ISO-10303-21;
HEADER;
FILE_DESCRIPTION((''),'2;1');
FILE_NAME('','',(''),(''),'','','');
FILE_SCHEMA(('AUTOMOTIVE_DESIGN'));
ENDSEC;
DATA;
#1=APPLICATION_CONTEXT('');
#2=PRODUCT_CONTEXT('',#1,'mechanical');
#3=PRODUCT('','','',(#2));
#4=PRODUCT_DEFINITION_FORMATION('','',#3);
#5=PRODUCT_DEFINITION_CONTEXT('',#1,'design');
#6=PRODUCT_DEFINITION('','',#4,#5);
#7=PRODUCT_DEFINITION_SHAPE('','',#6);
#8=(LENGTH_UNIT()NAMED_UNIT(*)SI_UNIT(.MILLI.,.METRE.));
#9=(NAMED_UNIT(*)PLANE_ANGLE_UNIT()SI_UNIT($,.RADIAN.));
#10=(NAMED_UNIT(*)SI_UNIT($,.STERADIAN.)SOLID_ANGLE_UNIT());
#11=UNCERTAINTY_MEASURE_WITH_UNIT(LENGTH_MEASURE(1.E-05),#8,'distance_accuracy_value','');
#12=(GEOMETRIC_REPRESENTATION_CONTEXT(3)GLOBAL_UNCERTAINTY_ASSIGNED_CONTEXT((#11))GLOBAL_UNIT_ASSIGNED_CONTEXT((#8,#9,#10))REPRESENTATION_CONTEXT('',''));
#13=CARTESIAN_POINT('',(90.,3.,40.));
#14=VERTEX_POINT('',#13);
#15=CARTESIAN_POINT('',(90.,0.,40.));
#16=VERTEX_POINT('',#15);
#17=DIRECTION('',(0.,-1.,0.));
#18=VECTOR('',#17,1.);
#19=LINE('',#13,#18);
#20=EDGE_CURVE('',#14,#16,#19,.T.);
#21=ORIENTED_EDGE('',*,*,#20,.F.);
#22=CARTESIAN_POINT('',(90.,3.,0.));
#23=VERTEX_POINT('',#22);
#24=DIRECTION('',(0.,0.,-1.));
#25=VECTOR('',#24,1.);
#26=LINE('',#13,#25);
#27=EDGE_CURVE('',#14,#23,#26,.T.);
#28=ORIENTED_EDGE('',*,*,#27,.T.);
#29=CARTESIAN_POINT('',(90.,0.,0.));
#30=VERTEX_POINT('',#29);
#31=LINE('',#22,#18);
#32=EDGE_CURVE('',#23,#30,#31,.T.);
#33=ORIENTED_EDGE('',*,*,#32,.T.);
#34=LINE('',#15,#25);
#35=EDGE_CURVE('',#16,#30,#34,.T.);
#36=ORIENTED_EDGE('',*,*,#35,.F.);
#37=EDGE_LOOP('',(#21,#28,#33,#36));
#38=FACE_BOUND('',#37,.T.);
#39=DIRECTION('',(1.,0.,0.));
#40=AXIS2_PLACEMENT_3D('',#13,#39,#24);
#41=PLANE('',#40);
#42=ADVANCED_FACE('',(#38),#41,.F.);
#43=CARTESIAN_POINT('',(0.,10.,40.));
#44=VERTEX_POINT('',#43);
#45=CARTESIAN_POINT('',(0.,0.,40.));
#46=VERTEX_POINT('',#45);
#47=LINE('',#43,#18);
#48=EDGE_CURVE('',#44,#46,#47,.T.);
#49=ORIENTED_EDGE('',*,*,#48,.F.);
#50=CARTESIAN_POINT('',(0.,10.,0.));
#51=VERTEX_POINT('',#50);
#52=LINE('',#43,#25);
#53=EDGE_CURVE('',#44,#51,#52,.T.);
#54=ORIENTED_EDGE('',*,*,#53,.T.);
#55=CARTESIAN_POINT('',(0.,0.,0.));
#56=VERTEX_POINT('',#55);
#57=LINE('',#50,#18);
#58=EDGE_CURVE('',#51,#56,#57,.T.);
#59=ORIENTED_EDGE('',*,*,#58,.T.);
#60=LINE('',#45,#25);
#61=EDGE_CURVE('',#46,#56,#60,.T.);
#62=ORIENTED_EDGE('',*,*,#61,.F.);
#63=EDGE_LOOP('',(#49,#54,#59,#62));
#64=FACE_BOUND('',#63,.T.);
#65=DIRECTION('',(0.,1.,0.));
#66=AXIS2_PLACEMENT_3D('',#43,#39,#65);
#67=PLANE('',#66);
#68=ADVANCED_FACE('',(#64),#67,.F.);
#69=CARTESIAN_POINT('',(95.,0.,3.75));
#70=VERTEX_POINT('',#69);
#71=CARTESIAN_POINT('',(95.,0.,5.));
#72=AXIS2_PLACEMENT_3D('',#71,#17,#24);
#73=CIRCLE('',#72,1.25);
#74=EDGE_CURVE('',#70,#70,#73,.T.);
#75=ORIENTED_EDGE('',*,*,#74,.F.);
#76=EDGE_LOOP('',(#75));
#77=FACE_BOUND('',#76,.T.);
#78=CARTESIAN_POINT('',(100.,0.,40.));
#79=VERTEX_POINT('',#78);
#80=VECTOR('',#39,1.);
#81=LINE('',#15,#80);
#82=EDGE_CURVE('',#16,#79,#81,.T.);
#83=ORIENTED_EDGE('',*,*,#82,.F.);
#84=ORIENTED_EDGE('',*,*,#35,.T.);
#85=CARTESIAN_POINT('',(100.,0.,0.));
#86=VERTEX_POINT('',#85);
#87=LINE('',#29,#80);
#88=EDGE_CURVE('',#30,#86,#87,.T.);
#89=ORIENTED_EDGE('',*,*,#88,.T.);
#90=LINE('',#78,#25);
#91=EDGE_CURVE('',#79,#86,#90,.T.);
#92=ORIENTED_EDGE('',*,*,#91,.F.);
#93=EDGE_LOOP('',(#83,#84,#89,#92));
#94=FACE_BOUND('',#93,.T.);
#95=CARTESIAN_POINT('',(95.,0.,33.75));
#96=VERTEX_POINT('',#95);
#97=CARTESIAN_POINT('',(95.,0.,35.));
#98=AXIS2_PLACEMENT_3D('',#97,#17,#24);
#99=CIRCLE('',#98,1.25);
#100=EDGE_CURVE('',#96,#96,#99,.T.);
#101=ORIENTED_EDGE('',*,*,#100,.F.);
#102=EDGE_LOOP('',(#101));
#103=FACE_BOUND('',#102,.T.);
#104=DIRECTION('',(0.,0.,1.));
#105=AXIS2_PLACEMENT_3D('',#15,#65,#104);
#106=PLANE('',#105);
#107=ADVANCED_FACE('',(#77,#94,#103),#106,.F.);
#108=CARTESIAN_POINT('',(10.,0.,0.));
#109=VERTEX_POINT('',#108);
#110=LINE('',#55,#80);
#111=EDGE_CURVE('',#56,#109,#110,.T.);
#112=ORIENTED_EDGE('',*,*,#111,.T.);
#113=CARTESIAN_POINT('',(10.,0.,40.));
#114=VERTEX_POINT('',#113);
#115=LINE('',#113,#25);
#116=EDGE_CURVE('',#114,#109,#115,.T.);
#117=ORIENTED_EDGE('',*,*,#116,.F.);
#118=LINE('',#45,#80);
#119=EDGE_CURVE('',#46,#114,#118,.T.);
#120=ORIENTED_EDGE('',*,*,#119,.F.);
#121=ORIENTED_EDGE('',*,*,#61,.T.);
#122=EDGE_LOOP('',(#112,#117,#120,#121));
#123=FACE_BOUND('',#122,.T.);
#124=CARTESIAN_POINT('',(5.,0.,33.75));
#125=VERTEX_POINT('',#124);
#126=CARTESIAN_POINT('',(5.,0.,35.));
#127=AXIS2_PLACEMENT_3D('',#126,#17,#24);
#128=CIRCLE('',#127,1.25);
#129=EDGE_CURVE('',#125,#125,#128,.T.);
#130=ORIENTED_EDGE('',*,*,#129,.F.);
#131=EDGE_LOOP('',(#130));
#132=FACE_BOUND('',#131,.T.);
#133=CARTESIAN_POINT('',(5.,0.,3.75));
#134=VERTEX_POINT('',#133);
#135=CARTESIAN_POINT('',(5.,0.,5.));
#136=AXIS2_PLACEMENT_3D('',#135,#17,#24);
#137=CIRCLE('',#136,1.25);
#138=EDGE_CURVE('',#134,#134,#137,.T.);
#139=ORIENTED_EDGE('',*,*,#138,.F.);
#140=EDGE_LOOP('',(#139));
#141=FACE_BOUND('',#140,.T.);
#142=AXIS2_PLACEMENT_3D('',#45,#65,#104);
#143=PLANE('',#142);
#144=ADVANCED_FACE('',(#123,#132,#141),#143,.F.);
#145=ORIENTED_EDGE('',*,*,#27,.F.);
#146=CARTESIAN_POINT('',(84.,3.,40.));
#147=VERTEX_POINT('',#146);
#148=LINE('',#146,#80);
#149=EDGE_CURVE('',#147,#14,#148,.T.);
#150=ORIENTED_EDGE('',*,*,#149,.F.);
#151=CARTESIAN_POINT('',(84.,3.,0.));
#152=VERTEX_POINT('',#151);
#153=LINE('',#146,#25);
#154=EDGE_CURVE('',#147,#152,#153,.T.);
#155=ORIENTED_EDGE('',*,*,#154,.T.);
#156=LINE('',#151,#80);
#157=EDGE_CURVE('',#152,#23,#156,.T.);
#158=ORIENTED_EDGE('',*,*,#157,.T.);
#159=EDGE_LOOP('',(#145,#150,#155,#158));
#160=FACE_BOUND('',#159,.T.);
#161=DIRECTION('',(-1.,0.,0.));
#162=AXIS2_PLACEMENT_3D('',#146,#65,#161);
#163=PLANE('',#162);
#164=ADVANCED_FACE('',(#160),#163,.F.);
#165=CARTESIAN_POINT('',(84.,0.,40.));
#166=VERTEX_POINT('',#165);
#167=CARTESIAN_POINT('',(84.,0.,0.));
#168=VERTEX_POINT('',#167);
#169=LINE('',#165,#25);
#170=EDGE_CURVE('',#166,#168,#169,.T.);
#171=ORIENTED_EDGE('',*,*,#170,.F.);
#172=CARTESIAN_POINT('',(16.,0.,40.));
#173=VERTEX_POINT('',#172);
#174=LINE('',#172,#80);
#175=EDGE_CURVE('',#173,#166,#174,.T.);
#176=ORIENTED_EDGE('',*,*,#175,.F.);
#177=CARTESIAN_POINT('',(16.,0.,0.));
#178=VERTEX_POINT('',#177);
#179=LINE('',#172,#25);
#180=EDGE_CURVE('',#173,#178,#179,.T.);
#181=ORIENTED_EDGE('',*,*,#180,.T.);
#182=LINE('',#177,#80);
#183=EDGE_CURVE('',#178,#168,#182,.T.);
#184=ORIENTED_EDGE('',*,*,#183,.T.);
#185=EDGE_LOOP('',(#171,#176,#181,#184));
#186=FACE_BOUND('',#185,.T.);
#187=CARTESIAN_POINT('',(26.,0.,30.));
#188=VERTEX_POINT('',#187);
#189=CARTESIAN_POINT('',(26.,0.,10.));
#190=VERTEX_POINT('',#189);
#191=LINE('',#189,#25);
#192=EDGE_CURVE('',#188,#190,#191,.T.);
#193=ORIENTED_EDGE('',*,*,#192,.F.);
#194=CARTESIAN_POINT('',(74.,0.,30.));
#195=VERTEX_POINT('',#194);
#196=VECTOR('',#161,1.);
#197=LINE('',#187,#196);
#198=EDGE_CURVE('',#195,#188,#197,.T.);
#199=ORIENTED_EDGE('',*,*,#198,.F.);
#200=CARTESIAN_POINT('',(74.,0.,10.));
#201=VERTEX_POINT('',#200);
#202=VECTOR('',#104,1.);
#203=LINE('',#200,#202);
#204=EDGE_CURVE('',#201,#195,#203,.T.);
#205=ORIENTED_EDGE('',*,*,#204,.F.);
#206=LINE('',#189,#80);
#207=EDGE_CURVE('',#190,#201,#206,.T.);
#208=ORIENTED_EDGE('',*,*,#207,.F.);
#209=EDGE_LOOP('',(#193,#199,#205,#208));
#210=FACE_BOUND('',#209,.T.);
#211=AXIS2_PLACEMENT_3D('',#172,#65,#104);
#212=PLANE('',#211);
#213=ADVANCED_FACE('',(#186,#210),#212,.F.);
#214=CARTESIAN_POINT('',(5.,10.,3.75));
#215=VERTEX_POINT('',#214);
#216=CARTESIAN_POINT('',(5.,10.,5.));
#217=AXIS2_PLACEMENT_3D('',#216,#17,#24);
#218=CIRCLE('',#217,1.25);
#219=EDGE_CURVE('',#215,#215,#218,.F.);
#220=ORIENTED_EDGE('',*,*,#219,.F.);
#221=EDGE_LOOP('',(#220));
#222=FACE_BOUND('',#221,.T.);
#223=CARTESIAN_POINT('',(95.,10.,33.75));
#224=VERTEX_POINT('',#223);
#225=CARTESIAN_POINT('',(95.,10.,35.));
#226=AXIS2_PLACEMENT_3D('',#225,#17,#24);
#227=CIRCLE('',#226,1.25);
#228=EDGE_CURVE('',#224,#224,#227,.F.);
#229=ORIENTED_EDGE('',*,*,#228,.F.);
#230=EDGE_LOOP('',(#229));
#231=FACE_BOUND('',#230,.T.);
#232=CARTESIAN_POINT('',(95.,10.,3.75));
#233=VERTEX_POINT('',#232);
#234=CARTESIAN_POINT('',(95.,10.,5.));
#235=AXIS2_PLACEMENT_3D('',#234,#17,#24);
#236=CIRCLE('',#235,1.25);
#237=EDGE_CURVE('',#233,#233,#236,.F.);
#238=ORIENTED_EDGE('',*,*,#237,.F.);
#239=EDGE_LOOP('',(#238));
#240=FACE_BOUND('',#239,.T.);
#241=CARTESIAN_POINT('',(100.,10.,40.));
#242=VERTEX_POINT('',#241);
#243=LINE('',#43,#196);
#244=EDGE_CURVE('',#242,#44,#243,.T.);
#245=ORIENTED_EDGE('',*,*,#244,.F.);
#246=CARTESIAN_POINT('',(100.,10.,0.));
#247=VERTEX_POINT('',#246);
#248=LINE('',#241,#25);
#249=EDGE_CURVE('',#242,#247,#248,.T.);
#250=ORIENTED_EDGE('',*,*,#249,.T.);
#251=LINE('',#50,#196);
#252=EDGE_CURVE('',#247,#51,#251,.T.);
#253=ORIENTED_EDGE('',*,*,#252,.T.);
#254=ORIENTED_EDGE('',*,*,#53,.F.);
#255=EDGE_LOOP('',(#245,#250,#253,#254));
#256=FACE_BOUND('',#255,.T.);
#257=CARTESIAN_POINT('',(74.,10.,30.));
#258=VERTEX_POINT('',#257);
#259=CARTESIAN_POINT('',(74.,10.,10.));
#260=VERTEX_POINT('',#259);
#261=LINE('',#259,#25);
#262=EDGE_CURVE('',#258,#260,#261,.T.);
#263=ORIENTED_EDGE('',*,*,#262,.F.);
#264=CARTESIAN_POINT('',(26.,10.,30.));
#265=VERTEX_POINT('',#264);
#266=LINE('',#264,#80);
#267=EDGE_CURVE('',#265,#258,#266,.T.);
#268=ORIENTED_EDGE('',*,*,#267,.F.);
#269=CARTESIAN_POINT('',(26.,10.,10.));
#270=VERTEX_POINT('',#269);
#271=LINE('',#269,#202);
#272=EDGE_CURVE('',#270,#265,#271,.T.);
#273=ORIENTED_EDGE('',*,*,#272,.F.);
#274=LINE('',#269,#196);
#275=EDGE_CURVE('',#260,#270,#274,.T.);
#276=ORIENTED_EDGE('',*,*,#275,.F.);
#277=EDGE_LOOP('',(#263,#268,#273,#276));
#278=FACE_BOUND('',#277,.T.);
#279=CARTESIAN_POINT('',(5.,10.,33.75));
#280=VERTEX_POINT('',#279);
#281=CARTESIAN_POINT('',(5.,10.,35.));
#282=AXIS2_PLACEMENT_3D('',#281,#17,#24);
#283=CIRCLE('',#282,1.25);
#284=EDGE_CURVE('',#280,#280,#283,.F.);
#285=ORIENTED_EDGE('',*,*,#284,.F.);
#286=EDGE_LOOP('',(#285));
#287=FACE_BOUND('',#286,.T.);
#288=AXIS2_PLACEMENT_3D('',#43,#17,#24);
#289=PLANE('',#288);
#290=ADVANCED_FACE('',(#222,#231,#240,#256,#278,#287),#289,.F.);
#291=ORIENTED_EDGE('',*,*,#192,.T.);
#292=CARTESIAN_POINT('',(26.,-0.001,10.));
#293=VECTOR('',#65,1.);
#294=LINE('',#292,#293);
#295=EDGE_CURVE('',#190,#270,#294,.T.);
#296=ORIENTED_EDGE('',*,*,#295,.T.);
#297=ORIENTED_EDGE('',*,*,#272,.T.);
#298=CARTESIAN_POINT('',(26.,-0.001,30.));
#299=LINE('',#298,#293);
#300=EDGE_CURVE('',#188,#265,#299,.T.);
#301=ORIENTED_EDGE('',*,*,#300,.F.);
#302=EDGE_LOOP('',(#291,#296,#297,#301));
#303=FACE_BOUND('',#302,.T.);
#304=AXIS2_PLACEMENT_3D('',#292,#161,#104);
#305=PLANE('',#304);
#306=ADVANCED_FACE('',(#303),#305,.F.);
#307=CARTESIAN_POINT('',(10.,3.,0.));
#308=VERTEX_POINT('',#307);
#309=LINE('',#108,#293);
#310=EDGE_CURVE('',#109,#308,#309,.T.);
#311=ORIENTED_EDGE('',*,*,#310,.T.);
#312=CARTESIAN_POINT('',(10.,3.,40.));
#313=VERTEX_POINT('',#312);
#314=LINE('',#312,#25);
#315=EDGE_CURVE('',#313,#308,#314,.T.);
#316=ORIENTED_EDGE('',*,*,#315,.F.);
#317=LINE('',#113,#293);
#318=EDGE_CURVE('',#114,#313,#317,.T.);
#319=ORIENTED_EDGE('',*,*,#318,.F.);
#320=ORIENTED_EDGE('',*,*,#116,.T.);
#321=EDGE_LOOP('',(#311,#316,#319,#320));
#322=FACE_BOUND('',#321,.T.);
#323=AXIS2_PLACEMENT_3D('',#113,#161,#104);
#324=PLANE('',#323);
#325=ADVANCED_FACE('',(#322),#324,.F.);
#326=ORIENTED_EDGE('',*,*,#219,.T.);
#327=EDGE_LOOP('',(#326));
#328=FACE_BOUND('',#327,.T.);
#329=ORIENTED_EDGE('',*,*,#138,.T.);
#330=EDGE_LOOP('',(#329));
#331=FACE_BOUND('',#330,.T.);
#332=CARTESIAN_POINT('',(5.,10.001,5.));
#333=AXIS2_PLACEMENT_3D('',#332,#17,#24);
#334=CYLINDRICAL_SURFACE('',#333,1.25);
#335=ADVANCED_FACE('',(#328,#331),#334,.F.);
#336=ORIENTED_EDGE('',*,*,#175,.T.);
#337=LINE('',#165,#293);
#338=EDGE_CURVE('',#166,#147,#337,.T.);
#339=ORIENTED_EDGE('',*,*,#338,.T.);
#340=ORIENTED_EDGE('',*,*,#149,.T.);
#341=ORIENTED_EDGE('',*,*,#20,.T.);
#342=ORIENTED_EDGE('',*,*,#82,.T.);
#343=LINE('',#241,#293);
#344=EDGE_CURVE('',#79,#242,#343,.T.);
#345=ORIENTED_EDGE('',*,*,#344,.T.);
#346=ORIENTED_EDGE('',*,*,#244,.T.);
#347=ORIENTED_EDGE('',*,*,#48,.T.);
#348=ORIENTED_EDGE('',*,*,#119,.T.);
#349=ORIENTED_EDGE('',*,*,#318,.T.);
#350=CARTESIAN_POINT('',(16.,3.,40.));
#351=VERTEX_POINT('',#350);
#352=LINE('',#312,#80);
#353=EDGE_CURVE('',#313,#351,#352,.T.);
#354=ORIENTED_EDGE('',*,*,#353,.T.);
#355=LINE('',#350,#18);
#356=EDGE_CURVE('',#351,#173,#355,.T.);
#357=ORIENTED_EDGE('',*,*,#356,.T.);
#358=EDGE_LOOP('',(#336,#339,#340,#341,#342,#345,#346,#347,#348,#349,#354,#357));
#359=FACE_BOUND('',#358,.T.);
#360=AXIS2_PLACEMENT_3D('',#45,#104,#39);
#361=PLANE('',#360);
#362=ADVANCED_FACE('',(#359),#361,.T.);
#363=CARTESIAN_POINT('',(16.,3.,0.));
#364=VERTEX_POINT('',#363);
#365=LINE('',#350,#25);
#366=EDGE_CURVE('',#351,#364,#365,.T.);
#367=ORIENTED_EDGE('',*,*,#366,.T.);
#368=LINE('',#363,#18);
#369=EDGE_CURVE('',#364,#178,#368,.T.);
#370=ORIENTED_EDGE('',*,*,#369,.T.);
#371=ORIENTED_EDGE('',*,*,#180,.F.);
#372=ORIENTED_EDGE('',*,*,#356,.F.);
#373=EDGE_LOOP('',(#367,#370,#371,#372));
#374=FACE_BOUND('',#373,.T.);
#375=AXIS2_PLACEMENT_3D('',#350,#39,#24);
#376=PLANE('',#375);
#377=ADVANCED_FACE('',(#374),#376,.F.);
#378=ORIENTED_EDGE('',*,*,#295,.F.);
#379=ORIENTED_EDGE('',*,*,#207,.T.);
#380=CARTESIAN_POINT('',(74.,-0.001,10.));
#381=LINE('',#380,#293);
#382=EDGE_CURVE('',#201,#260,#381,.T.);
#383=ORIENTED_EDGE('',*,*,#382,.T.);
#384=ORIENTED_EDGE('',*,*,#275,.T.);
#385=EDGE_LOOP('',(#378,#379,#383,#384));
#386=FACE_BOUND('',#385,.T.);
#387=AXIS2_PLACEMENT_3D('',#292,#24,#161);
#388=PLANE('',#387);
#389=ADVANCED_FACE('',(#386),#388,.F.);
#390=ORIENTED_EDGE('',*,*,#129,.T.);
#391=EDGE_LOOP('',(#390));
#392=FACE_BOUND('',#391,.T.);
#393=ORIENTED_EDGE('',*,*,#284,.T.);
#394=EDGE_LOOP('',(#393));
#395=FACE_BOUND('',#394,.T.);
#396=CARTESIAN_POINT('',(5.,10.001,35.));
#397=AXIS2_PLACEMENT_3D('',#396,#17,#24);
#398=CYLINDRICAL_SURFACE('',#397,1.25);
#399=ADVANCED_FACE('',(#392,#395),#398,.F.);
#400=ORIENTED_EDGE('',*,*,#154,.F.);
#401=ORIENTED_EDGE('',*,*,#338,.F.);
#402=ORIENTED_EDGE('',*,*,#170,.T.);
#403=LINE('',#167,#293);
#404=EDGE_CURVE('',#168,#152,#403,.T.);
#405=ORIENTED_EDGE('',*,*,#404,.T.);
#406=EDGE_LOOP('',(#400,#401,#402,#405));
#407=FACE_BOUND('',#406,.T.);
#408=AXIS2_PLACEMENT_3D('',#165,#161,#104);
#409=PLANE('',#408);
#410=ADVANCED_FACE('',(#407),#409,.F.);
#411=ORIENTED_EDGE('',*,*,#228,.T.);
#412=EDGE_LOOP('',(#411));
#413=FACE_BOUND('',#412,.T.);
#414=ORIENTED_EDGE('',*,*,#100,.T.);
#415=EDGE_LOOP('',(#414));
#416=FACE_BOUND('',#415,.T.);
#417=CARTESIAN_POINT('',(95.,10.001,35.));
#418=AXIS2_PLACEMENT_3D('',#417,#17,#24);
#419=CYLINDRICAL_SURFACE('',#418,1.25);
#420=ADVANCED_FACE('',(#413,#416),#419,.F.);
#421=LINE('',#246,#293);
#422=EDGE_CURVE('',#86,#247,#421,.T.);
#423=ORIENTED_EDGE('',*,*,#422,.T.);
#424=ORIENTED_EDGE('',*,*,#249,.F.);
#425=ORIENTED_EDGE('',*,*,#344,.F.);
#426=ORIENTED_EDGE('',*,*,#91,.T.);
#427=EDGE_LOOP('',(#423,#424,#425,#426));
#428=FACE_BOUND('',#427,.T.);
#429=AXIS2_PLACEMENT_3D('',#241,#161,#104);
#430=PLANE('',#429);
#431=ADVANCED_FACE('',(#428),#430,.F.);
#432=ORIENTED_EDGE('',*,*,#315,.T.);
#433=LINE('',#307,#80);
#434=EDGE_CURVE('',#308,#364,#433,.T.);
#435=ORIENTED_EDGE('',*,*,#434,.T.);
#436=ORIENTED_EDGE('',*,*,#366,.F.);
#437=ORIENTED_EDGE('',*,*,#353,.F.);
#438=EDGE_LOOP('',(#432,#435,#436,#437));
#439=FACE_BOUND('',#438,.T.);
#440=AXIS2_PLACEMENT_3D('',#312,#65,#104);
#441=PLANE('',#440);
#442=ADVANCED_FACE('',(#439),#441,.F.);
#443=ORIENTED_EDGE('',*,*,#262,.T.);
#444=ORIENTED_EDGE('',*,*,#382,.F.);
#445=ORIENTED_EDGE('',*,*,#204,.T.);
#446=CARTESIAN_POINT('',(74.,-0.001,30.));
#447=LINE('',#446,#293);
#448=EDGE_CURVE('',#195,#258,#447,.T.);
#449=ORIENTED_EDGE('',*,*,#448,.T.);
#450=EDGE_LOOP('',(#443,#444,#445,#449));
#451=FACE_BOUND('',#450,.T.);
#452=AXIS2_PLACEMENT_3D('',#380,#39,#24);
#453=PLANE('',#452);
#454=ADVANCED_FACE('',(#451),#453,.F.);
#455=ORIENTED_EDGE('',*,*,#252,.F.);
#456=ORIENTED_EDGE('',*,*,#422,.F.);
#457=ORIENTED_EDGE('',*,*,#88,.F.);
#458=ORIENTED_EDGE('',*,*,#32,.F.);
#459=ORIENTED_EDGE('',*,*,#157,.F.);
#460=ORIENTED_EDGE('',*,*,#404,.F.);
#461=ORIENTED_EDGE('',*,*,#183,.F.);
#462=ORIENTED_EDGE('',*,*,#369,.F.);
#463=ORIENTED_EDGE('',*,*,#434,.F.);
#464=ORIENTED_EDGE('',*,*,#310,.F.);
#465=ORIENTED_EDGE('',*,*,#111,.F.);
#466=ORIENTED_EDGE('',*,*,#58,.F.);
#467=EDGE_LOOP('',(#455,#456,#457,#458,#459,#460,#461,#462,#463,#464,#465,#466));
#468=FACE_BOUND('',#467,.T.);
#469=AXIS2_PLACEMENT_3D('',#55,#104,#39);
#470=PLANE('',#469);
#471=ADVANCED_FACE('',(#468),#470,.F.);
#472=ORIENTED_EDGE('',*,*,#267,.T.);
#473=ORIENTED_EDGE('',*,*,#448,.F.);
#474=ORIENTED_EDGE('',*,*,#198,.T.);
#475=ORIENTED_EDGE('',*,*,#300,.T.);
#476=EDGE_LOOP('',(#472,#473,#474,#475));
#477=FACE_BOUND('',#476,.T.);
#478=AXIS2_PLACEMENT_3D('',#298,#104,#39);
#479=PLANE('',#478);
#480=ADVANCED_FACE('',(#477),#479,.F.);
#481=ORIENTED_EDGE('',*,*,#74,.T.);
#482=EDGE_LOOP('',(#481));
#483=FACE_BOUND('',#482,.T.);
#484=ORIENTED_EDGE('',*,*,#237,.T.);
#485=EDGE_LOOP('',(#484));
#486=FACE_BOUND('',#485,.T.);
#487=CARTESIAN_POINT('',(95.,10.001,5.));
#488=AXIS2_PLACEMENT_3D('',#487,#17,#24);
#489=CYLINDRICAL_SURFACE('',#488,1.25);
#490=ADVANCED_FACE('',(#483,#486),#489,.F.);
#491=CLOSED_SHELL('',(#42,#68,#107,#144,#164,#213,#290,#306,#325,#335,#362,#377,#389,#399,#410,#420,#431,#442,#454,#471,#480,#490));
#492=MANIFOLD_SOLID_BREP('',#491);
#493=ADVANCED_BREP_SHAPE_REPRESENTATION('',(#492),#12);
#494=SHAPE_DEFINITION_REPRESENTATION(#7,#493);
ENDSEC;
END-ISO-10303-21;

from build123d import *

# Parameters (mm, degrees)
BOSS_EXTRU_1_DEPTH      = 40
ENL_V_MAT_EXTRU_1_REACH = 110.167
ESQUISSE2_W             = 48
ESQUISSE2_H             = 20
ENL_V_MAT_EXTRU_2_REACH = 110.167
ESQUISSE3_R             = 1.25


with BuildPart() as part:
    # Esquisse1 → Boss.-Extru.1 (new body)
    with BuildSketch(Plane.XY):
        Polygon((0, 0), (10, 0), (10, 3), (16, 3), (16, 0), (84, 0), (84, 3), (90, 3), (90, 0), (100, 0), (100, 10), (0, 10), align=None)
    extrude(amount=BOSS_EXTRU_1_DEPTH)

    # Esquisse2 → Enlèv. mat.-Extru.1 (cut, up to next)
    with BuildSketch(Plane(origin=(0, 10, 0), x_dir=(1, 0, 0), z_dir=(0, 1, 0)), mode=Mode.PRIVATE) as enl_v_mat_extru_1_sk1:
        with Locations((50, -20)):
            Rectangle(ESQUISSE2_W, ESQUISSE2_H)
    enl_v_mat_extru_1_tool1 = extrude(enl_v_mat_extru_1_sk1.sketch, amount=-ENL_V_MAT_EXTRU_1_REACH, mode=Mode.PRIVATE) & part.part
    add(enl_v_mat_extru_1_tool1.solids().sort_by_distance((50, 10, 20))[0], mode=Mode.SUBTRACT)

    # Esquisse3 → Enlèv. mat.-Extru.2 (cut, up to next)
    with BuildSketch(Plane.XZ, mode=Mode.PRIVATE) as enl_v_mat_extru_2_sk1:
        with Locations(Location((5, 35, 0), (0, 0, 270))):
            Circle(ESQUISSE3_R)
    enl_v_mat_extru_2_tool1 = extrude(enl_v_mat_extru_2_sk1.sketch, amount=-ENL_V_MAT_EXTRU_2_REACH, mode=Mode.PRIVATE) & part.part
    # Esquisse3 → Enlèv. mat.-Extru.2 (cut, up to next)
    with BuildSketch(Plane.XZ, mode=Mode.PRIVATE) as enl_v_mat_extru_2_sk2:
        with Locations(Location((5, 5, 0), (0, 0, 270))):
            Circle(ESQUISSE3_R)
    enl_v_mat_extru_2_tool2 = extrude(enl_v_mat_extru_2_sk2.sketch, amount=-ENL_V_MAT_EXTRU_2_REACH, mode=Mode.PRIVATE) & part.part
    # Esquisse3 → Enlèv. mat.-Extru.2 (cut, up to next)
    with BuildSketch(Plane.XZ, mode=Mode.PRIVATE) as enl_v_mat_extru_2_sk3:
        with Locations(Location((95, 35, 0), (0, 0, 270))):
            Circle(ESQUISSE3_R)
    enl_v_mat_extru_2_tool3 = extrude(enl_v_mat_extru_2_sk3.sketch, amount=-ENL_V_MAT_EXTRU_2_REACH, mode=Mode.PRIVATE) & part.part
    # Esquisse3 → Enlèv. mat.-Extru.2 (cut, up to next)
    with BuildSketch(Plane.XZ, mode=Mode.PRIVATE) as enl_v_mat_extru_2_sk4:
        with Locations(Location((95, 5, 0), (0, 0, 270))):
            Circle(ESQUISSE3_R)
    enl_v_mat_extru_2_tool4 = extrude(enl_v_mat_extru_2_sk4.sketch, amount=-ENL_V_MAT_EXTRU_2_REACH, mode=Mode.PRIVATE) & part.part
    add(enl_v_mat_extru_2_tool1.solids().sort_by_distance((5, 0, 35))[0], mode=Mode.SUBTRACT)
    add(enl_v_mat_extru_2_tool2.solids().sort_by_distance((5, 0, 5))[0], mode=Mode.SUBTRACT)
    add(enl_v_mat_extru_2_tool3.solids().sort_by_distance((95, 0, 35))[0], mode=Mode.SUBTRACT)
    add(enl_v_mat_extru_2_tool4.solids().sort_by_distance((95, 0, 5))[0], mode=Mode.SUBTRACT)


solid = part.part
